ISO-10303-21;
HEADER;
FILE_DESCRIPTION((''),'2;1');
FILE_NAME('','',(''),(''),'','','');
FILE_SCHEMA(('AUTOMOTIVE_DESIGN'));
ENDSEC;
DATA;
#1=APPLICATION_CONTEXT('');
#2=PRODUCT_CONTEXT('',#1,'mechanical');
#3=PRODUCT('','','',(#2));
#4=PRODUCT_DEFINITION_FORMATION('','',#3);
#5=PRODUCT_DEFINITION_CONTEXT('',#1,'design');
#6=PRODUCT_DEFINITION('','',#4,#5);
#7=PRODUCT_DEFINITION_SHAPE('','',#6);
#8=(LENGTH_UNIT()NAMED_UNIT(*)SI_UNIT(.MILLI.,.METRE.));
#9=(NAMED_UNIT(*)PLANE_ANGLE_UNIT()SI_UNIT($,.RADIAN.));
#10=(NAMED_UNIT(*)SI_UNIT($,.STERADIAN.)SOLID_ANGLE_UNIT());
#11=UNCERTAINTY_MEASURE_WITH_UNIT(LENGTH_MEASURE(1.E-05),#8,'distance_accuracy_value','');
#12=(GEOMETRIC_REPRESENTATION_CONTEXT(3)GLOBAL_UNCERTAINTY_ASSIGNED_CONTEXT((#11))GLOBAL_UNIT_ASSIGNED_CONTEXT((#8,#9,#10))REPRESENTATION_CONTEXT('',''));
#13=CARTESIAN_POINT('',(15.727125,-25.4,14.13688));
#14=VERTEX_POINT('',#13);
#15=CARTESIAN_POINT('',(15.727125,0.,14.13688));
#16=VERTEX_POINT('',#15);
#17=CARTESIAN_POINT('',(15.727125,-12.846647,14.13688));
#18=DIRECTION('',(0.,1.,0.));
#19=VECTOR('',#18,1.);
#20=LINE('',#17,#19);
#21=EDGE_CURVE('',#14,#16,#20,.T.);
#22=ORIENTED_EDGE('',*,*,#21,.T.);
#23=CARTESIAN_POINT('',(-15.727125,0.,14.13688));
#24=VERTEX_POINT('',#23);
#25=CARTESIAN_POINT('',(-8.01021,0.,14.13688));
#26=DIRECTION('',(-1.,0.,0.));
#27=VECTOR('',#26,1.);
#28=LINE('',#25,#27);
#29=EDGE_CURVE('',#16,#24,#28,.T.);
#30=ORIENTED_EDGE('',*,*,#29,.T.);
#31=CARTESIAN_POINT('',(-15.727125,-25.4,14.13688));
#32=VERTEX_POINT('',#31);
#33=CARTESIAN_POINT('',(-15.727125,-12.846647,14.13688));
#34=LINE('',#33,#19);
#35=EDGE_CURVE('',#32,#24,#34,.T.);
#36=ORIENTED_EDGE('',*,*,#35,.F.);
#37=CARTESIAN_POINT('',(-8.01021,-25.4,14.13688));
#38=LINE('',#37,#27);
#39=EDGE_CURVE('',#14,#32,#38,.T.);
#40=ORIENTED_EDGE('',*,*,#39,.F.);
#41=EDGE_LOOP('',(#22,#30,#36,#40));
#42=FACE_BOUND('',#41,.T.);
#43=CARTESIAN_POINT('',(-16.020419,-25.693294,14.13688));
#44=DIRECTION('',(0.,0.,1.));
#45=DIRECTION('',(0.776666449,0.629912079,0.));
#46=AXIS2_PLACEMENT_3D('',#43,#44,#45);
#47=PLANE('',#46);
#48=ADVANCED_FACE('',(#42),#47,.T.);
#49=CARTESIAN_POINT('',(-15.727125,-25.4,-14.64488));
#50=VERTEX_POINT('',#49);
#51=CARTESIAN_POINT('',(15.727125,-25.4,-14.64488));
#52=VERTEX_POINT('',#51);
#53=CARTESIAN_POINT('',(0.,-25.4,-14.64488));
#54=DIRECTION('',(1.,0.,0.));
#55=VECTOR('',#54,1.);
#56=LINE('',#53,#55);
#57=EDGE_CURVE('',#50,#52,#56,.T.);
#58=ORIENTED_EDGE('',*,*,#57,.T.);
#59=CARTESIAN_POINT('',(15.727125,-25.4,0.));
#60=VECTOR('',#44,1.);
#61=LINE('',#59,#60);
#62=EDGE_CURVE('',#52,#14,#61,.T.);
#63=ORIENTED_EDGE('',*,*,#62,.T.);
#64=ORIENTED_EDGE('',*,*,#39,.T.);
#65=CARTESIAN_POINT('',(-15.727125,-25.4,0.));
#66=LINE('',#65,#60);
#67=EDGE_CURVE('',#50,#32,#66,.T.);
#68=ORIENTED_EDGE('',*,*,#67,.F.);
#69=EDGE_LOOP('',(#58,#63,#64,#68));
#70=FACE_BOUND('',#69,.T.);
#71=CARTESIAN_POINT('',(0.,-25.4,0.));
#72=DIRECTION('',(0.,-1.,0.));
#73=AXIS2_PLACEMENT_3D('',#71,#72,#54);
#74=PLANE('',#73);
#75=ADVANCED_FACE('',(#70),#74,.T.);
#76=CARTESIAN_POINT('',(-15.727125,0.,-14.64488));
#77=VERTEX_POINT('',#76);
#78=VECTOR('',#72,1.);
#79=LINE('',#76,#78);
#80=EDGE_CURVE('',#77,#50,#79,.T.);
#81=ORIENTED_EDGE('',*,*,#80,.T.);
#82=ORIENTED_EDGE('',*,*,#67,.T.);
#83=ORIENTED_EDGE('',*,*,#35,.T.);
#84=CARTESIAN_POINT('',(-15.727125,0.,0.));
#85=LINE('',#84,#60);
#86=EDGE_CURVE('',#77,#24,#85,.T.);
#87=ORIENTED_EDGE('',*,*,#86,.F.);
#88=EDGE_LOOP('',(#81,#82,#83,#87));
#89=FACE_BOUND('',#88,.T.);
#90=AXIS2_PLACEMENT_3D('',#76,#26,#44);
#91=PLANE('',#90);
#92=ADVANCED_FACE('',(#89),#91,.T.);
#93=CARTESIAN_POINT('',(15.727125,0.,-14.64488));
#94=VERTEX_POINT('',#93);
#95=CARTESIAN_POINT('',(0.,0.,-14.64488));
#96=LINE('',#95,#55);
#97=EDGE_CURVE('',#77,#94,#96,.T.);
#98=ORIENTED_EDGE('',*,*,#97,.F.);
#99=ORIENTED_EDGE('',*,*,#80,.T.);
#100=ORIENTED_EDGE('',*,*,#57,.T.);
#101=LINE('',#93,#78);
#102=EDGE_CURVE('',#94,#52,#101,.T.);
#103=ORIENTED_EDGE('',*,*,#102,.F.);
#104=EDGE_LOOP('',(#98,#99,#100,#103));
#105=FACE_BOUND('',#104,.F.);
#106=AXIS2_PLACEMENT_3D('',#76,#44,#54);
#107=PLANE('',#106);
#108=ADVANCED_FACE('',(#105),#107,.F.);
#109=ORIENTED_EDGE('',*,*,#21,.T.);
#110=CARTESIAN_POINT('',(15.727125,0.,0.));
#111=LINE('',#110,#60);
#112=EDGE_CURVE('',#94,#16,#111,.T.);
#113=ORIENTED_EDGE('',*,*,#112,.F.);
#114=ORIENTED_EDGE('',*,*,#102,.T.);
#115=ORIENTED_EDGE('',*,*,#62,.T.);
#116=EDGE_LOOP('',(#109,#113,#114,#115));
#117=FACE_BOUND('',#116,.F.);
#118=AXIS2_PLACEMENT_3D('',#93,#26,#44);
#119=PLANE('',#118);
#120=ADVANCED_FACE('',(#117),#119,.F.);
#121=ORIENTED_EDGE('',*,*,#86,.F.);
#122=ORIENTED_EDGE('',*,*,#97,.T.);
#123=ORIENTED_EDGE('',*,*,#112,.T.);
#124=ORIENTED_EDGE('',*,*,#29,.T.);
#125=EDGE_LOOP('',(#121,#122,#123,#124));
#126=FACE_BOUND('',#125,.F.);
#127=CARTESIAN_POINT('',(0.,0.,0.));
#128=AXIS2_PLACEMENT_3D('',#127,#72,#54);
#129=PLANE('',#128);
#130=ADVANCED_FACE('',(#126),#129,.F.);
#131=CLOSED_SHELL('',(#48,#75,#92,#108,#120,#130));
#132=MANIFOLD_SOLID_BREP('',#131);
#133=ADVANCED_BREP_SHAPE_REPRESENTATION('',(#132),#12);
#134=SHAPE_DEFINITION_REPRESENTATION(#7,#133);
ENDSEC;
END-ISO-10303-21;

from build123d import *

# Parameters (mm, degrees)
F0_W      = 31.4542502165
F0_H      = 29.2897596955
F1_DEPTH  = 25.4
F1_FACE_W = 31.4542502165
F1_FACE_H = 25.4
F2_DEPTH  = 0.508
F2_TAPER  = -30


with BuildPart() as f1:
    # F0 (on Front) → F1 (new body)
    with BuildSketch(Plane.XZ):
        Rectangle(F0_W, F0_H)
    extrude(amount=F1_DEPTH)

    # F1_face (on face) → F2 (cut)
    with BuildSketch(Plane(origin=(0, -12.7, 14.6448798478), x_dir=(1, 0, 0), z_dir=(0, 0, 1))):
        Rectangle(F1_FACE_W, F1_FACE_H)
    extrude(amount=-F2_DEPTH, taper=F2_TAPER, mode=Mode.SUBTRACT)


solid = f1.part
